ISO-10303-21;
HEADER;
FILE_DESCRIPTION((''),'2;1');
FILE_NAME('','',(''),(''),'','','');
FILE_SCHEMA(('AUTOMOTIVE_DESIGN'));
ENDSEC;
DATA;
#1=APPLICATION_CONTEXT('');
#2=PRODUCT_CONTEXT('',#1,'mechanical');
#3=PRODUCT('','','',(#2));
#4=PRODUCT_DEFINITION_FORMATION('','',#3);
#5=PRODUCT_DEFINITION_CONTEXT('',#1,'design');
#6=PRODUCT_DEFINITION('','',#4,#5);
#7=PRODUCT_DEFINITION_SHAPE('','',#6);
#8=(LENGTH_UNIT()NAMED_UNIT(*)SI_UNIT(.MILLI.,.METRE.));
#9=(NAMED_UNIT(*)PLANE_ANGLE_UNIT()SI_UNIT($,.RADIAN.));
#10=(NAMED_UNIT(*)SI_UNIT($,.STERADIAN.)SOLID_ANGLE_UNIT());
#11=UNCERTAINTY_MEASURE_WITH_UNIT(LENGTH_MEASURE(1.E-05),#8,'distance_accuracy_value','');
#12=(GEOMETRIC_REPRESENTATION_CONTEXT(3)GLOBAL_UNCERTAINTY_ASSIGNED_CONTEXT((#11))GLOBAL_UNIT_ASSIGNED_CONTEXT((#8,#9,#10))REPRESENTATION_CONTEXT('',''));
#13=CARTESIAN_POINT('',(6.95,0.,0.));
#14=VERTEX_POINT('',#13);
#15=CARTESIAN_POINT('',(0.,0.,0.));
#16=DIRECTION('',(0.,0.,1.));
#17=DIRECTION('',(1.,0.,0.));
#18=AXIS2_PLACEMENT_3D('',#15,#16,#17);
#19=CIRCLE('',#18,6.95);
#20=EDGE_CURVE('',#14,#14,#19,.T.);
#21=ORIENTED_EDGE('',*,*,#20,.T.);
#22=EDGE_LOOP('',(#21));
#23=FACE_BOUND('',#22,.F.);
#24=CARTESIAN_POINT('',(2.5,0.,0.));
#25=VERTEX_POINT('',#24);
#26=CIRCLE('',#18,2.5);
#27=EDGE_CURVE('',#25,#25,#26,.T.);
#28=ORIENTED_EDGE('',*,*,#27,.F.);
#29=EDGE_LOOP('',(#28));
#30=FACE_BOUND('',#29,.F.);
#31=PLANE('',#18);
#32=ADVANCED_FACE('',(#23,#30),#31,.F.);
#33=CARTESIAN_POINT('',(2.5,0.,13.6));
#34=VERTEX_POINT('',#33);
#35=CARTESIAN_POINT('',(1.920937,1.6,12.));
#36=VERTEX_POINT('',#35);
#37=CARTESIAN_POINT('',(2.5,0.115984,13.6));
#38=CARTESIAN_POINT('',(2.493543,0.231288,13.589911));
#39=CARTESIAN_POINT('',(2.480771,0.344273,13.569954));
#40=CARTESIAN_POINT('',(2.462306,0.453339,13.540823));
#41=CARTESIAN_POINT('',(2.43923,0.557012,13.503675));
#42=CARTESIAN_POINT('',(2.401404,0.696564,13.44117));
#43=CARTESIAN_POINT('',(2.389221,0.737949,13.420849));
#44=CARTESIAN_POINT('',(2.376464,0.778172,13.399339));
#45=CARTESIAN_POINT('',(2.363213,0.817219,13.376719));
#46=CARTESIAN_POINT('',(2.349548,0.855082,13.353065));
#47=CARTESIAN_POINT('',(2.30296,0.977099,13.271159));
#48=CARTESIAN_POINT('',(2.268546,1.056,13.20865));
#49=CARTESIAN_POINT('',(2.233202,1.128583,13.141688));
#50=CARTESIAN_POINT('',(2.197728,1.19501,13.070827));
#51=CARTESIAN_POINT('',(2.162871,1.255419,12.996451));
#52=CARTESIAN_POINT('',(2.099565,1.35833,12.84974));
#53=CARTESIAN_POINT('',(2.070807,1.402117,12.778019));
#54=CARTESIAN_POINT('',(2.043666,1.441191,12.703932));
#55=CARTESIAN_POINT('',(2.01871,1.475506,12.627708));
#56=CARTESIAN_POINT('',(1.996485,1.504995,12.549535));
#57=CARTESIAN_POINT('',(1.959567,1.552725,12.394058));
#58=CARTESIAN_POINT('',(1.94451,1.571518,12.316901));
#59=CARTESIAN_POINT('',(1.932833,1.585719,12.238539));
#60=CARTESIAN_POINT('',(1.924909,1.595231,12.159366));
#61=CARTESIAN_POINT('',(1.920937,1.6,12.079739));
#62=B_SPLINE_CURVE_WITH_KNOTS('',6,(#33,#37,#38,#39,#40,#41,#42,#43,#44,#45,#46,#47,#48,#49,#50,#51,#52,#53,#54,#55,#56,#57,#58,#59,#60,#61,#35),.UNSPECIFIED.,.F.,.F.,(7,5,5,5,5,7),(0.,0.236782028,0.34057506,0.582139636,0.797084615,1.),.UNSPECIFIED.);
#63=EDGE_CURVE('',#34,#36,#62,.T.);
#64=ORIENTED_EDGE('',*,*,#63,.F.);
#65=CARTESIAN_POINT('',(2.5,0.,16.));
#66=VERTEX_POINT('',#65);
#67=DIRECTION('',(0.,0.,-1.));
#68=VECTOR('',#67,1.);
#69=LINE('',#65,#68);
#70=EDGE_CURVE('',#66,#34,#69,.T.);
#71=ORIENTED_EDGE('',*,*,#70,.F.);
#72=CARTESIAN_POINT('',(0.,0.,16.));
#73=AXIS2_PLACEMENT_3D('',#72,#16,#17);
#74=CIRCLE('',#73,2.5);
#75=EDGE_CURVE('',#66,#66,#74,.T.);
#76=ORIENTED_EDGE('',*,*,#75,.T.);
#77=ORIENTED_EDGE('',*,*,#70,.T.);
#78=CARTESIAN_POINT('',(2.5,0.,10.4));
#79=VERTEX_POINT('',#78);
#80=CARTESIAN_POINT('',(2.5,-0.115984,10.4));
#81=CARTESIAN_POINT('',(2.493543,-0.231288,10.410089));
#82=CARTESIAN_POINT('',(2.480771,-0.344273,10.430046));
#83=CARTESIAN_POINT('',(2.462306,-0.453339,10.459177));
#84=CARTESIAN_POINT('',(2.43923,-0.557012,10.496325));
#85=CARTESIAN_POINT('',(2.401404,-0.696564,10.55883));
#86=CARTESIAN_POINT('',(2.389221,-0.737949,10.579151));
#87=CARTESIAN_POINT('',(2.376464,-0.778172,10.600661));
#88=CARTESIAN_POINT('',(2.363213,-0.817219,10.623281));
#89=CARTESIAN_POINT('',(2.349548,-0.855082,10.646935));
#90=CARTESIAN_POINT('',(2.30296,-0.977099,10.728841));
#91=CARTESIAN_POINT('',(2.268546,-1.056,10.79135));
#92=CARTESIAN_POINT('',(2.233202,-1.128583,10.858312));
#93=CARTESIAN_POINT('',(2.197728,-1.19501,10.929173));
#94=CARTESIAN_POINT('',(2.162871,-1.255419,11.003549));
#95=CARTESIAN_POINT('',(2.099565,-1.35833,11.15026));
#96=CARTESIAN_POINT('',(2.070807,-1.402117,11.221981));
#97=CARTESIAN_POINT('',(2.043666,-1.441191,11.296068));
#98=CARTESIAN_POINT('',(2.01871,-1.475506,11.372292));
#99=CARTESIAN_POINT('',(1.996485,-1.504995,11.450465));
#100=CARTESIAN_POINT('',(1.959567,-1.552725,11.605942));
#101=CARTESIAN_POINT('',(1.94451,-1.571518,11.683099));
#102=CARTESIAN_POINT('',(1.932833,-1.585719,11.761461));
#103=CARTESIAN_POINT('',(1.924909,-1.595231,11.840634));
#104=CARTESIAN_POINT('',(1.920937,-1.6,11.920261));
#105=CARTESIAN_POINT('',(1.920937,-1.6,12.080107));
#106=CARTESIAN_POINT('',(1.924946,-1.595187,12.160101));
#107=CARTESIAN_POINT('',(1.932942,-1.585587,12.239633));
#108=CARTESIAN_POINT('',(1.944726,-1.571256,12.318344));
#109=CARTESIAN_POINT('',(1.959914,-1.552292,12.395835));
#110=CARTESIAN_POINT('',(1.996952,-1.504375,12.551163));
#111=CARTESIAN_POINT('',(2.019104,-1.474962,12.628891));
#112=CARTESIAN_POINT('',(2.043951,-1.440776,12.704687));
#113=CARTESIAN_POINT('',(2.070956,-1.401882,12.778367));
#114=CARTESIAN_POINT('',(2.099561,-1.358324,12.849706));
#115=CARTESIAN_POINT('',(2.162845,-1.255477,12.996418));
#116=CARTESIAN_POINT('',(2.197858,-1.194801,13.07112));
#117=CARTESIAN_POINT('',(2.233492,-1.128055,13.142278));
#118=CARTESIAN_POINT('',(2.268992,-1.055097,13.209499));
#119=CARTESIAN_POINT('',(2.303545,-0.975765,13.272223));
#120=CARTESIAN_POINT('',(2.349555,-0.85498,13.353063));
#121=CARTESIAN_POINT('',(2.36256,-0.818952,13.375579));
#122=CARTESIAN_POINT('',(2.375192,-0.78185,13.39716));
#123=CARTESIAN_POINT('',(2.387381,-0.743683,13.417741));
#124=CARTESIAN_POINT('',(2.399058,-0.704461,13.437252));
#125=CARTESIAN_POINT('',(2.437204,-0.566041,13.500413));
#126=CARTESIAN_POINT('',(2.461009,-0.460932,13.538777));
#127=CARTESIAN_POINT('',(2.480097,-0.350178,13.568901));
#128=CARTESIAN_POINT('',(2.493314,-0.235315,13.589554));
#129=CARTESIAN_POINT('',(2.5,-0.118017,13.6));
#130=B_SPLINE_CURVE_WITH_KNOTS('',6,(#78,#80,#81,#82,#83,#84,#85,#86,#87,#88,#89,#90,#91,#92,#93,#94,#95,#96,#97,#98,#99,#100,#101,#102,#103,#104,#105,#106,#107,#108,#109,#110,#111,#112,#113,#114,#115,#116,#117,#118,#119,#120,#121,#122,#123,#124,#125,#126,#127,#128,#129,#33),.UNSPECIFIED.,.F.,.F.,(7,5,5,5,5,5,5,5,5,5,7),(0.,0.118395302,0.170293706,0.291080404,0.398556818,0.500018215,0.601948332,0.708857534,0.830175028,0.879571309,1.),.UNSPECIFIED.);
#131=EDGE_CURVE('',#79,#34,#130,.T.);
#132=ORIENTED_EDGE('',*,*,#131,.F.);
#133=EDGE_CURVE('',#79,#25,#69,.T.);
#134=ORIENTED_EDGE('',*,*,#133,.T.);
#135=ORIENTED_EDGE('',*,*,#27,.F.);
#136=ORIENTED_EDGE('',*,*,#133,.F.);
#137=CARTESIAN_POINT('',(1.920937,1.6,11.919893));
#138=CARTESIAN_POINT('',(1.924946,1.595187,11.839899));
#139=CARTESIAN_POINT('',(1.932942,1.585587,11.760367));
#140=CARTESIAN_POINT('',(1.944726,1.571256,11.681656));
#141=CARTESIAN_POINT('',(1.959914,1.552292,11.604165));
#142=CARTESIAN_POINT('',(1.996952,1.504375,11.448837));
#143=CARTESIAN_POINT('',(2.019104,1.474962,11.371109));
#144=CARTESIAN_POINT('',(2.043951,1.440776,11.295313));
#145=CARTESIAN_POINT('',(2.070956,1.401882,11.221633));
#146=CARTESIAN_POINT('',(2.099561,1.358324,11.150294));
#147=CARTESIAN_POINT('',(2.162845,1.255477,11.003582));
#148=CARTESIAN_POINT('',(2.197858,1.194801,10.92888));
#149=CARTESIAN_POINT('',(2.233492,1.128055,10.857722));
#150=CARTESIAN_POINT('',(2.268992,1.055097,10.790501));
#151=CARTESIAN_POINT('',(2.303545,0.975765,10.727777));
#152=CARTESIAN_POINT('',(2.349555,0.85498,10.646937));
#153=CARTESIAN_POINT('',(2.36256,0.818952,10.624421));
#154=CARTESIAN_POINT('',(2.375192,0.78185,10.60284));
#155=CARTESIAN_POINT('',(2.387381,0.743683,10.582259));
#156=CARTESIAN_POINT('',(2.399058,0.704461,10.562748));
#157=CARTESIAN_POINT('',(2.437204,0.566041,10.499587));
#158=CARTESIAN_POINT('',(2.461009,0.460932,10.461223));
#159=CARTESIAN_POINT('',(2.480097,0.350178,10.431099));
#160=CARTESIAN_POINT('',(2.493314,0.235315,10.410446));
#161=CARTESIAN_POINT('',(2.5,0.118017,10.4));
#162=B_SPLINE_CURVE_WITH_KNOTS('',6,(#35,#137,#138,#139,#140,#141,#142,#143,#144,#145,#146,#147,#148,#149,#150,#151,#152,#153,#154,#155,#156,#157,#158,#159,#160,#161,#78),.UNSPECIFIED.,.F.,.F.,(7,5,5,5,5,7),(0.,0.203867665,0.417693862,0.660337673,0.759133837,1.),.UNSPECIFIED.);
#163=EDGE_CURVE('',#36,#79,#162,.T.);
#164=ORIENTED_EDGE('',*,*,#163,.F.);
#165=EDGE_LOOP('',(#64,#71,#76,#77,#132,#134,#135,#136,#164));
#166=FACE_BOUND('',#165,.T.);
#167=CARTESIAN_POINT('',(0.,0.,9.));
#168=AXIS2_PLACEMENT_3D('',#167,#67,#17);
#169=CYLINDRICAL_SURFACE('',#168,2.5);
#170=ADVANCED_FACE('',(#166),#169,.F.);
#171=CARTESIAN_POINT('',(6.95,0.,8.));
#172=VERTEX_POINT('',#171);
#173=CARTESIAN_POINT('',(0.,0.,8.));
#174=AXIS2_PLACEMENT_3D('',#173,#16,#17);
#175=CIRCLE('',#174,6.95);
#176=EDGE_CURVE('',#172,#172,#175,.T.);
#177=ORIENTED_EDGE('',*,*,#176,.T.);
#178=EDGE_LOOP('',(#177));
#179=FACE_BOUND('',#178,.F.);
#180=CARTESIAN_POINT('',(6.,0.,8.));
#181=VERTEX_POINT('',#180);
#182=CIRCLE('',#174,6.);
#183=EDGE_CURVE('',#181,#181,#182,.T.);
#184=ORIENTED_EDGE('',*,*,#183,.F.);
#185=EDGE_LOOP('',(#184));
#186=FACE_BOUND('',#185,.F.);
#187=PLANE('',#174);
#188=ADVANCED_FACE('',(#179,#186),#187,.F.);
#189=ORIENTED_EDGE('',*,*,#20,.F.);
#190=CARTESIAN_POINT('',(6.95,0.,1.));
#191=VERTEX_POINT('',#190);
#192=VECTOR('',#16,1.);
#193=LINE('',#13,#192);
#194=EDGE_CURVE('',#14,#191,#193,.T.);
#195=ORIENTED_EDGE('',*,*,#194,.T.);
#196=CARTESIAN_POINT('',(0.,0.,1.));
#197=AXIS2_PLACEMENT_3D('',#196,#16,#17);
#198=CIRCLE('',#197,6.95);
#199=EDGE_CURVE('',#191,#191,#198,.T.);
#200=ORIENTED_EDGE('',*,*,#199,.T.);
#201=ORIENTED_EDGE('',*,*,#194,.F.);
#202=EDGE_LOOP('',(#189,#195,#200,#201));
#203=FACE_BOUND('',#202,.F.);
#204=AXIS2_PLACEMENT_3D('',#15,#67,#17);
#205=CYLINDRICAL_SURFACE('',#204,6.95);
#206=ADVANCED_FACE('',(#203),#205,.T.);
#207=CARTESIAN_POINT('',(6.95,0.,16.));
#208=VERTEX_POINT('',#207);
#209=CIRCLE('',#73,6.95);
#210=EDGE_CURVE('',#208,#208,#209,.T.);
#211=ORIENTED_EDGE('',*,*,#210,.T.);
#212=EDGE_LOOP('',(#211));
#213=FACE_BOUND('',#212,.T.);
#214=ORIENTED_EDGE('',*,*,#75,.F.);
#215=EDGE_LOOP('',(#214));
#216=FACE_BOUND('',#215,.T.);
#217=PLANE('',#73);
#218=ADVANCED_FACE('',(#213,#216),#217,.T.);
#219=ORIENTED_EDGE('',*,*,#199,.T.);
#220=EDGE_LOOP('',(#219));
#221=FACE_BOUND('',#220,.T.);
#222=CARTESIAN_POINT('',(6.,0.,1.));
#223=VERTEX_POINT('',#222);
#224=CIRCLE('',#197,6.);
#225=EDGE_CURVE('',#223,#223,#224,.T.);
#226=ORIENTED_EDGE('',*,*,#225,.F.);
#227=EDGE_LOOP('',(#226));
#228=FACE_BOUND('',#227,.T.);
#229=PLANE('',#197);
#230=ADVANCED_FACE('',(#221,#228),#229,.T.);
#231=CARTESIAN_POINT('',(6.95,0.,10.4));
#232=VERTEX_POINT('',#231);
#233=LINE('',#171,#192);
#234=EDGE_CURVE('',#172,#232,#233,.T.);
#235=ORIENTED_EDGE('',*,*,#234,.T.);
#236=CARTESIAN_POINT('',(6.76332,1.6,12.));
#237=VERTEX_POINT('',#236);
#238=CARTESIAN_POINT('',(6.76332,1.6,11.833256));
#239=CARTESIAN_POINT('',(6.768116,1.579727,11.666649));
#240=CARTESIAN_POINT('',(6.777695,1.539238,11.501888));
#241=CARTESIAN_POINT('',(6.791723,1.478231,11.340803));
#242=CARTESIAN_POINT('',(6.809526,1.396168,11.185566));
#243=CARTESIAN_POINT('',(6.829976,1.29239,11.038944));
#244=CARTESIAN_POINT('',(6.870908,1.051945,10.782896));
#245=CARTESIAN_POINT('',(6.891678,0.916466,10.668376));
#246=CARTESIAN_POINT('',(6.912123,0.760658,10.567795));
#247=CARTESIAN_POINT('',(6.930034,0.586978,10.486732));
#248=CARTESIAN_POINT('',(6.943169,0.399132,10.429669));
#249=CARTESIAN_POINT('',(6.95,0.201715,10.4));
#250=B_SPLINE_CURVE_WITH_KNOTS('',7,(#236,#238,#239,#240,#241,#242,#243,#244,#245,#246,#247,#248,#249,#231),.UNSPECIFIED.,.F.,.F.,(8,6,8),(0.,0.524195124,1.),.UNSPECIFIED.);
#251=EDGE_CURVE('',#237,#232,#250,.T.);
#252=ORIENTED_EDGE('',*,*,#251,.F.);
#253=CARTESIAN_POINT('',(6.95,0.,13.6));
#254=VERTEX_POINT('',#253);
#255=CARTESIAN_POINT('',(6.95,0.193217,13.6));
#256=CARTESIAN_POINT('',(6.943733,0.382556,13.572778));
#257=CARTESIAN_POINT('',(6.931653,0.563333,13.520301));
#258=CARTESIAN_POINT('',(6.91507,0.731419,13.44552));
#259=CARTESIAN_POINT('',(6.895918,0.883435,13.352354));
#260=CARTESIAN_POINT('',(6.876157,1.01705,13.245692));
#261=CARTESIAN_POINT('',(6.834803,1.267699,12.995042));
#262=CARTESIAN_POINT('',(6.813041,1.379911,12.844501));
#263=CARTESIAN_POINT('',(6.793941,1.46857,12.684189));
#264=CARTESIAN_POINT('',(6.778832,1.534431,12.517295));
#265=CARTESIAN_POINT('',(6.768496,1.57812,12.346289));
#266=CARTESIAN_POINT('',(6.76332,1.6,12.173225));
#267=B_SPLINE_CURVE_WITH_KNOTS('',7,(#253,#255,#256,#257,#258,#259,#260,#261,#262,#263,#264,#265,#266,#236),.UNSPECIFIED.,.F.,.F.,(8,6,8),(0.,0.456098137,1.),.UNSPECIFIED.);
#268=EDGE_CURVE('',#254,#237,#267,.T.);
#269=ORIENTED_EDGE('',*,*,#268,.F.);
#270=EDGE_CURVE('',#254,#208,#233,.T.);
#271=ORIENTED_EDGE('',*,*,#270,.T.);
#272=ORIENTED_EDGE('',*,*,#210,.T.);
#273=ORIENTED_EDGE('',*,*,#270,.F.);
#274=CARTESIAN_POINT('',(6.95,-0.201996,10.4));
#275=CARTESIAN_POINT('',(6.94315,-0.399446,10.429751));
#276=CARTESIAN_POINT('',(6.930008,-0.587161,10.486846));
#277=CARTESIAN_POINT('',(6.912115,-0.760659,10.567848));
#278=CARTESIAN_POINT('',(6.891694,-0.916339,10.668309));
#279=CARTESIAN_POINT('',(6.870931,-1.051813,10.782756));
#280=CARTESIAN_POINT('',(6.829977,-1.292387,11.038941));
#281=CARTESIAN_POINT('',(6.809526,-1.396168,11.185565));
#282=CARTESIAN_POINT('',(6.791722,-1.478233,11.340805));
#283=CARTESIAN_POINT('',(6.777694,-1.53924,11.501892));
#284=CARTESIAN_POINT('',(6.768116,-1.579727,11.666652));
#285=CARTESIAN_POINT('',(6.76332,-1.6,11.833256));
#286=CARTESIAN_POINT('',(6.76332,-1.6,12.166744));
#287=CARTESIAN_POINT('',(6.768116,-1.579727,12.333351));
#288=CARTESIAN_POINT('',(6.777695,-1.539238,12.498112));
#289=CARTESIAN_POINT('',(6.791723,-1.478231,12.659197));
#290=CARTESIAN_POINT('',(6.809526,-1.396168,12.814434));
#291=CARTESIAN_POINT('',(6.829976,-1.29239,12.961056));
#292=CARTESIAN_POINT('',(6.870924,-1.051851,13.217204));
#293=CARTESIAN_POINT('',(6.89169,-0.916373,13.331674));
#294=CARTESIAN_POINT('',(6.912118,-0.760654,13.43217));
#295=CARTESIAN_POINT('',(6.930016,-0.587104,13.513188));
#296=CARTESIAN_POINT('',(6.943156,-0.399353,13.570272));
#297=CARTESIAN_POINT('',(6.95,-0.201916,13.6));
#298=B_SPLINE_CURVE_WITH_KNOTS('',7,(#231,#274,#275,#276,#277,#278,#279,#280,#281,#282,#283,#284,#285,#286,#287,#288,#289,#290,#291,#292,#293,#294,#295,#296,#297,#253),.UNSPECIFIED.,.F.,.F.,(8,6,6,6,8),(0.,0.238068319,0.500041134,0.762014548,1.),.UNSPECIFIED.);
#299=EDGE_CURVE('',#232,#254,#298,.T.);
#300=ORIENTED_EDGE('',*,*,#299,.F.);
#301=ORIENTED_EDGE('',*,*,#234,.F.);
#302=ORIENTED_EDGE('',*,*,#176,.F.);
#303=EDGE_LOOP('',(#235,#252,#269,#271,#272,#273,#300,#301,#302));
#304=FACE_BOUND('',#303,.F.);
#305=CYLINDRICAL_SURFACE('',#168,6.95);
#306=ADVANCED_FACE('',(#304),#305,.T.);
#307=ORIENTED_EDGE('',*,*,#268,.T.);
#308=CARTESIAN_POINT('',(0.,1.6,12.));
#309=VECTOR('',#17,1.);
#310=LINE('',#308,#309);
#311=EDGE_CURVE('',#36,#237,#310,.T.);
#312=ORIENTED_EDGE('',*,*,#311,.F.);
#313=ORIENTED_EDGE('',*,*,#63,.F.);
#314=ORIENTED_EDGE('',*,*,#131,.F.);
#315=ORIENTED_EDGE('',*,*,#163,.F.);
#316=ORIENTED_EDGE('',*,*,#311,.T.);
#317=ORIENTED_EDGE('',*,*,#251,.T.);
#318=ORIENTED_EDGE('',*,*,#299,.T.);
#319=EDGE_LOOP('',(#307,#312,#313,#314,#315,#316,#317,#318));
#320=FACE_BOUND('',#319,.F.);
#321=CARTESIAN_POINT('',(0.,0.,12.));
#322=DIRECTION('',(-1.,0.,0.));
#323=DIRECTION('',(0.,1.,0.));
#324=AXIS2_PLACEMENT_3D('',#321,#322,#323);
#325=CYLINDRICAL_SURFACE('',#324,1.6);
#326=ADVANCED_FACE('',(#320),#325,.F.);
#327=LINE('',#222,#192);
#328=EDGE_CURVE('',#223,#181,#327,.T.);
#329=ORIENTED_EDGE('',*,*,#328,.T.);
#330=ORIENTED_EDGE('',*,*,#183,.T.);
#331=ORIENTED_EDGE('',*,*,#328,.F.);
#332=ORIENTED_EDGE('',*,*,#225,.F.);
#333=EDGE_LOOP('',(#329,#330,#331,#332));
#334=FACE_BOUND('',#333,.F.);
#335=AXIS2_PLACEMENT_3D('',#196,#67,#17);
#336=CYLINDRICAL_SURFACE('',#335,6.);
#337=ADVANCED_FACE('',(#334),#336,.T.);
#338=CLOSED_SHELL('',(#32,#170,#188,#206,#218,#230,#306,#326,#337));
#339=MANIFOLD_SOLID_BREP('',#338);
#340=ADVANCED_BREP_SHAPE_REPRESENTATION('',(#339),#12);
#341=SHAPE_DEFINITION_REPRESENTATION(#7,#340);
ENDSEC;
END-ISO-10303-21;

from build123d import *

# Parameters (mm, degrees)
F0_R     = 6.95
F0_R_2   = 6
F0_R_3   = 4.875
F0_R_4   = 2.5
F1_DEPTH = 1
F2_START = 1
F2_DEPTH = 7
F3_START = 8
F3_DEPTH = 1
F4_START = 9
F4_DEPTH = 7
F6_D     = 3.2
F6_DEPTH = 6.951


with BuildPart() as f1:
    # F0 (on Top) → F1 (new body)
    with BuildSketch(Plane.XY):
        Circle(F0_R)
        Circle(F0_R_2, mode=Mode.SUBTRACT)
        Circle(F0_R_2)
        Circle(F0_R_3, mode=Mode.SUBTRACT)
        Circle(F0_R_3)
        Circle(F0_R_4, mode=Mode.SUBTRACT)
    extrude(amount=F1_DEPTH)

    # F0 (on Top) → F2 (join)
    with BuildSketch(Plane.XY.offset(F2_START)):
        Circle(F0_R_2)
        Circle(F0_R_3, mode=Mode.SUBTRACT)
        Circle(F0_R_3)
        Circle(F0_R_4, mode=Mode.SUBTRACT)
    extrude(amount=F2_DEPTH)

    # F0 (on Top) → F3 (join)
    with BuildSketch(Plane.XY.offset(F3_START)):
        Circle(F0_R)
        Circle(F0_R_2, mode=Mode.SUBTRACT)
        Circle(F0_R_2)
        Circle(F0_R_3, mode=Mode.SUBTRACT)
        Circle(F0_R_3)
        Circle(F0_R_4, mode=Mode.SUBTRACT)
    extrude(amount=F3_DEPTH)

    # F0 (on Top) → F4 (join)
    with BuildSketch(Plane.XY.offset(F4_START)):
        Circle(F0_R)
        Circle(F0_R_2, mode=Mode.SUBTRACT)
        Circle(F0_R_2)
        Circle(F0_R_3, mode=Mode.SUBTRACT)
        Circle(F0_R_3)
        Circle(F0_R_4, mode=Mode.SUBTRACT)
    extrude(amount=F4_DEPTH)

    # F6 (through all, one way)
    with BuildSketch(Plane(origin=(0, 0, 0), x_dir=(0, 1, 0), z_dir=(-1, 0, 0))):
        with Locations((0, -12)):
            Circle(F6_D / 2)
    extrude(amount=-F6_DEPTH, mode=Mode.SUBTRACT)


solid = f1.part
